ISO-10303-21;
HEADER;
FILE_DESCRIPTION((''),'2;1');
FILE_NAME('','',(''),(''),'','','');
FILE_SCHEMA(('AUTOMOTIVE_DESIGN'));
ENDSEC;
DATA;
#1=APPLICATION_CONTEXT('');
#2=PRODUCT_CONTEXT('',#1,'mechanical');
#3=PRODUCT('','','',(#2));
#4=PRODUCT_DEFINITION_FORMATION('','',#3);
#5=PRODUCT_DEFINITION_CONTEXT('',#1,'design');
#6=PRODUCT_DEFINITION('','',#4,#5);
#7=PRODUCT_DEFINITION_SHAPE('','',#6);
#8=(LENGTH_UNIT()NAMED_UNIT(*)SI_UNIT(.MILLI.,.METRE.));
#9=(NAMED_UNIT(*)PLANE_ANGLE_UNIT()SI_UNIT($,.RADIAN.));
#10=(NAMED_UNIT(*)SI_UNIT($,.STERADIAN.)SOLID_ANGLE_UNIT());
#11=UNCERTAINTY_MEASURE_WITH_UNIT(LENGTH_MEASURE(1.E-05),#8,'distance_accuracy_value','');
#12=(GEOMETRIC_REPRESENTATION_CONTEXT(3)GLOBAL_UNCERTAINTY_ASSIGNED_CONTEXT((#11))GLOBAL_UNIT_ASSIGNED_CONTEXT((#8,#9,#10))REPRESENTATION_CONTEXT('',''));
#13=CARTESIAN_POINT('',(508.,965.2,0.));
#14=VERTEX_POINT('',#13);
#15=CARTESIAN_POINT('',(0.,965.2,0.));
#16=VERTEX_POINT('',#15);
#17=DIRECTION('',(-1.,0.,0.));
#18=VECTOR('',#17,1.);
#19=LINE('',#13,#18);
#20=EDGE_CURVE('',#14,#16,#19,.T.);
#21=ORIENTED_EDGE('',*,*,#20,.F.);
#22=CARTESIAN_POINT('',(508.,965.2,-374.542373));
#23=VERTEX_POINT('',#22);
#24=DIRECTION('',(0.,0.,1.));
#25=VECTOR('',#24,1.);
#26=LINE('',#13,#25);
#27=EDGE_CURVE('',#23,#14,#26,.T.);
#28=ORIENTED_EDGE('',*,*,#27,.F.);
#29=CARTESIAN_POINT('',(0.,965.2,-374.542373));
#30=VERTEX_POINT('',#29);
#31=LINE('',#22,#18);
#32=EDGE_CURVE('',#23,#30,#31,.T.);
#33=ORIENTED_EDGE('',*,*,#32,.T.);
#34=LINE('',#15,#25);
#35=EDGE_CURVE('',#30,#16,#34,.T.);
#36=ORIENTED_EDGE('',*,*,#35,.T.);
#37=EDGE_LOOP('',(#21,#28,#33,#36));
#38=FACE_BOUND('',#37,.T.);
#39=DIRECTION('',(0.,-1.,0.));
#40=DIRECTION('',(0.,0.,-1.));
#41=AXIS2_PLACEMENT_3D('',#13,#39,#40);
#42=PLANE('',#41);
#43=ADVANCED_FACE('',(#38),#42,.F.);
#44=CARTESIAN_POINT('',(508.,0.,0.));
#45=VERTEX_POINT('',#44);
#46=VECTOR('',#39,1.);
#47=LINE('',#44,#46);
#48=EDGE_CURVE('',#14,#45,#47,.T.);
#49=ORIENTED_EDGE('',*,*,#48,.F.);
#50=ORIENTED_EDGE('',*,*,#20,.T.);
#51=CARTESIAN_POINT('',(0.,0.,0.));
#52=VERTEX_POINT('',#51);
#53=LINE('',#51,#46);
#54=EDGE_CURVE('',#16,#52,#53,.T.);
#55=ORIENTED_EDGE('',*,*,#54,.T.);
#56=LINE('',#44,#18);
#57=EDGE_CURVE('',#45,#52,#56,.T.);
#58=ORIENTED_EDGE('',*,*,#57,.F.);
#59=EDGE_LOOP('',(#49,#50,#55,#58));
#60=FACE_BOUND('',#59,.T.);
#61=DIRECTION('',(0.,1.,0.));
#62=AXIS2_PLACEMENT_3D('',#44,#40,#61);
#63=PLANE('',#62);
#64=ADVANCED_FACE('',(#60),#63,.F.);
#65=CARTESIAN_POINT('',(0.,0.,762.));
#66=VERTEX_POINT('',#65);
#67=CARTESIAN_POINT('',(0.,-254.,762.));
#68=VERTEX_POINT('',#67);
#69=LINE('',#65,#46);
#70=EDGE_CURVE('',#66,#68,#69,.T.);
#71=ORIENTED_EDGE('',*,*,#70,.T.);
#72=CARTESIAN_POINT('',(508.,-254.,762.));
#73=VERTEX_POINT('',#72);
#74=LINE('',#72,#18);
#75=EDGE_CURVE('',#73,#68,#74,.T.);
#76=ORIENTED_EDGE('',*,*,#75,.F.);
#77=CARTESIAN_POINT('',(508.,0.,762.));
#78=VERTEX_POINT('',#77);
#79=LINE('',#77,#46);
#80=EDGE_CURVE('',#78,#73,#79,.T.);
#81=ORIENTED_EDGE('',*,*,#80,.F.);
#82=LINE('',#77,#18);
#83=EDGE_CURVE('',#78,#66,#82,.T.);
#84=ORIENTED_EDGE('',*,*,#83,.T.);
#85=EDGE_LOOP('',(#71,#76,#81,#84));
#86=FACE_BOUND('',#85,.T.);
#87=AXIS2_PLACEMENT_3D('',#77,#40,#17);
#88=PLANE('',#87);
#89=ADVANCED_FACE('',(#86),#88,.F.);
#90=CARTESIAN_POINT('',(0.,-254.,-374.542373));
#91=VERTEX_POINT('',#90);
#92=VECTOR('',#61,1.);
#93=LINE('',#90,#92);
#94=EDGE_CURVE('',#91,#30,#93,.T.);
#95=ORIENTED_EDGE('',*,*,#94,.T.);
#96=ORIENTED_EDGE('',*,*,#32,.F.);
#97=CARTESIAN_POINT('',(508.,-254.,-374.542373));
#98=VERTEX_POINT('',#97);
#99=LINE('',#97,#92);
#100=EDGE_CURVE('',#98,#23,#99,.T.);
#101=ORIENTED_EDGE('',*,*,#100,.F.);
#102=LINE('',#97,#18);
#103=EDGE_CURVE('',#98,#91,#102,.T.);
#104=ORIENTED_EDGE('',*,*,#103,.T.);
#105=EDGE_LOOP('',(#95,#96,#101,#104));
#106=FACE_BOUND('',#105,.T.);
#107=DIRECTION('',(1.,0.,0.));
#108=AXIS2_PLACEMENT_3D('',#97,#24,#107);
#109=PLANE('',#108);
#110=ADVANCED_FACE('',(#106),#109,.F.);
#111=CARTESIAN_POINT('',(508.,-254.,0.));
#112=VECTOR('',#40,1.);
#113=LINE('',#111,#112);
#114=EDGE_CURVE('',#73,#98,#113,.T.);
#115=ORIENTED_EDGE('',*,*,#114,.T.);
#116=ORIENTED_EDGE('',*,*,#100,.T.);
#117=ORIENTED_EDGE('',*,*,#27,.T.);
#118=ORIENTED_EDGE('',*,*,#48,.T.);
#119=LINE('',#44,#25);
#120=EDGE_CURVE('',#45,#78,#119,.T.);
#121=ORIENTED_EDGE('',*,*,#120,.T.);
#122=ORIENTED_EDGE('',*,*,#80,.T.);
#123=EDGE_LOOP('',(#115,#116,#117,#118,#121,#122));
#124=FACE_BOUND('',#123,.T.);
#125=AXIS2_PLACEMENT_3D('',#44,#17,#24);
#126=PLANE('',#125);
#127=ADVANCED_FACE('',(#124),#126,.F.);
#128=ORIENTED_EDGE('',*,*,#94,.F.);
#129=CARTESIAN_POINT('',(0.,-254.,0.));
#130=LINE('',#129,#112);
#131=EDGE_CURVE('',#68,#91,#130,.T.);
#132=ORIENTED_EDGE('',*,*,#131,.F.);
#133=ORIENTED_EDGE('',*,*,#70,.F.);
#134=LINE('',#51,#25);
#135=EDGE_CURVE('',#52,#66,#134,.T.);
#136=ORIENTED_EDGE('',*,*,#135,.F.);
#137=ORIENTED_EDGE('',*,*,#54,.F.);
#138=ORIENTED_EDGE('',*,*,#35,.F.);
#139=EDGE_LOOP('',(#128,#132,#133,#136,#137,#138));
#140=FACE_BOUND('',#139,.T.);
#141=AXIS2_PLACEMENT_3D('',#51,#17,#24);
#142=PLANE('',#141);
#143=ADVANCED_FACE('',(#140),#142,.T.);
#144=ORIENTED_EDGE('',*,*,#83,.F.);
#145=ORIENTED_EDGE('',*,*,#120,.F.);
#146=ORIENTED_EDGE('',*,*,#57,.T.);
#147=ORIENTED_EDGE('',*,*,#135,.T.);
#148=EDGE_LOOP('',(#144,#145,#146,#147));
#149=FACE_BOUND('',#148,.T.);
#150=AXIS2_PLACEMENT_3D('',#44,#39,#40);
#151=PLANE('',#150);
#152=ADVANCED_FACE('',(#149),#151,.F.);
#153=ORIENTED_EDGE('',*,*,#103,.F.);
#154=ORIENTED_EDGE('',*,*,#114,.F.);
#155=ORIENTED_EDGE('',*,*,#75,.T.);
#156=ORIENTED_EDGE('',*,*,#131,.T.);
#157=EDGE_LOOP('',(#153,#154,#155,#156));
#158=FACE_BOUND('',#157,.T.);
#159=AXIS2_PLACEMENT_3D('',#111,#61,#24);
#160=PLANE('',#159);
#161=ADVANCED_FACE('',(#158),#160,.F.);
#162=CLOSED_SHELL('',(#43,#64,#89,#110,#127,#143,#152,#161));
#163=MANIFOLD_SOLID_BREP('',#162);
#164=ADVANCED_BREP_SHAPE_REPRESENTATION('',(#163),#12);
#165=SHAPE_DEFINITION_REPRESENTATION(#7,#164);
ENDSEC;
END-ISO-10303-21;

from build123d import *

# Parameters (mm, degrees)
BOSS_EXTRUDE1_DEPTH = 508


with BuildPart() as part:
    # Sketch1 → Boss-Extrude1 (new body)
    with BuildSketch(Plane(origin=(0, 0, 0), x_dir=(0, 0, -1), z_dir=(1, 0, 0))):
        Polygon((0, 0), (-762, 0), (-762, -254), (0, -254), (374.542372881, -254), (374.542372881, 965.2), (0, 965.2), align=None)
    extrude(amount=BOSS_EXTRUDE1_DEPTH)


solid = part.part
